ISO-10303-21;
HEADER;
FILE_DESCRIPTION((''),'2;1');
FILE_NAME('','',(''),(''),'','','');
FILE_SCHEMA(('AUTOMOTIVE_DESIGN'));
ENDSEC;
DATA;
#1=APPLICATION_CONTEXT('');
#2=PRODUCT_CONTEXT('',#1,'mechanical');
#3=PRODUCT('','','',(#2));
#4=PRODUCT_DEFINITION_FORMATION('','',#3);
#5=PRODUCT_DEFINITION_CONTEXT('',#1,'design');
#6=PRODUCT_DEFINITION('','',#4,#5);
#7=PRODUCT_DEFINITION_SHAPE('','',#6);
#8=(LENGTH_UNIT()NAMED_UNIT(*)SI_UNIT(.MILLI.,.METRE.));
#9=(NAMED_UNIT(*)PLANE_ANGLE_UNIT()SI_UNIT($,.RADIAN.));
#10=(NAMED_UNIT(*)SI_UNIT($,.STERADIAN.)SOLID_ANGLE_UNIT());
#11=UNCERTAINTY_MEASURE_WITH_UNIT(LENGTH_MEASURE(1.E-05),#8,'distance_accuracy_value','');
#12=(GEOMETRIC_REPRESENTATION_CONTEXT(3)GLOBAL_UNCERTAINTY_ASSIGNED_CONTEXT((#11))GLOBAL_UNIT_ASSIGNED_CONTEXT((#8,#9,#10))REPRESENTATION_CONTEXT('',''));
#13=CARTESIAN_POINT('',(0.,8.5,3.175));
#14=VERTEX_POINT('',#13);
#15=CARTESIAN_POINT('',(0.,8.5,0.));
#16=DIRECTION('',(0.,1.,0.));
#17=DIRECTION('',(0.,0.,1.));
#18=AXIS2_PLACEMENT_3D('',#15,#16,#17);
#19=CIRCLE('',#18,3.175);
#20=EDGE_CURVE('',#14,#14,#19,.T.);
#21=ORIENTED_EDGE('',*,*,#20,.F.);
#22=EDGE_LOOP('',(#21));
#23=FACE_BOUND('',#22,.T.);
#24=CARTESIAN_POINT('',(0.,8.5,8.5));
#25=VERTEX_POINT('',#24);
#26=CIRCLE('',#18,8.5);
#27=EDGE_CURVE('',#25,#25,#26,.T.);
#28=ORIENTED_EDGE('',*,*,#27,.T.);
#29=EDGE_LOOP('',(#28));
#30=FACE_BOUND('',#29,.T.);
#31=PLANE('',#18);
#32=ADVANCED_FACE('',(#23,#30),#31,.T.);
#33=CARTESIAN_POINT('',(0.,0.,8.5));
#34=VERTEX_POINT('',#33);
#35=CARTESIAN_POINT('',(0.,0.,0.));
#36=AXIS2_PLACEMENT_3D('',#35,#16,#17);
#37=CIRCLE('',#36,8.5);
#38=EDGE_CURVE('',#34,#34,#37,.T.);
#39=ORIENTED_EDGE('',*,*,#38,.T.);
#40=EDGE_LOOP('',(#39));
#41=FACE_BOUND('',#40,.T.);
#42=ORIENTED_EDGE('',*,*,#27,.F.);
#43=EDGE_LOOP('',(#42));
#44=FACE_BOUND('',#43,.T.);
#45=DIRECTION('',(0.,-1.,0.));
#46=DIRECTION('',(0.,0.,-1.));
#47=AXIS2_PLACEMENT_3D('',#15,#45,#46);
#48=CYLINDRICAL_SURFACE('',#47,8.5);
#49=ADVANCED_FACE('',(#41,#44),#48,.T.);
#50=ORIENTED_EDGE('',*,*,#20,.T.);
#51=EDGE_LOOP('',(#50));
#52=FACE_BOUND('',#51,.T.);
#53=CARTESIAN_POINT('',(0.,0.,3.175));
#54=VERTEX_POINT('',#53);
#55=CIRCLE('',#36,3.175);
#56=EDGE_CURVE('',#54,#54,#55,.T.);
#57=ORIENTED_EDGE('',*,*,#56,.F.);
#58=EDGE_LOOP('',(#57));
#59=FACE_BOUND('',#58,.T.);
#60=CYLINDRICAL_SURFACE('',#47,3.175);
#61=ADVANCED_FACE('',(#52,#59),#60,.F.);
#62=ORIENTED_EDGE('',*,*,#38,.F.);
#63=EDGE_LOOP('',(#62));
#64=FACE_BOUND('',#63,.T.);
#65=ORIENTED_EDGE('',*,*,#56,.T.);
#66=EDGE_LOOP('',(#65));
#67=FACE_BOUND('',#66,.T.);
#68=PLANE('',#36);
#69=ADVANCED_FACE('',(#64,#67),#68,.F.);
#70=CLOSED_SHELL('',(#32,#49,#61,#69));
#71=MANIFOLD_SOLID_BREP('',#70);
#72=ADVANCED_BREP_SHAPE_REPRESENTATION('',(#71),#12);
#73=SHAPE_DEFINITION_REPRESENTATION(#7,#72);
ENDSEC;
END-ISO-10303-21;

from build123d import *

# Parameters (mm, degrees)
SKETCH_2_R      = 8.5
SKETCH_2_R_2    = 3.175
EXTRUDE_1_DEPTH = 8.5


with BuildPart() as part:
    # Эскиз2 → Вытянуть1 (new body)
    with BuildSketch(Plane(origin=(0, 0, 0), x_dir=(1, 0, 0), z_dir=(0, 1, 0))):
        with Locations(Location((0, 0, 0), (0, 0, 270))):
            Circle(SKETCH_2_R)
        with Locations(Location((0, 0, 0), (0, 0, 270))):
            Circle(SKETCH_2_R_2, mode=Mode.SUBTRACT)
    extrude(amount=EXTRUDE_1_DEPTH)


solid = part.part
